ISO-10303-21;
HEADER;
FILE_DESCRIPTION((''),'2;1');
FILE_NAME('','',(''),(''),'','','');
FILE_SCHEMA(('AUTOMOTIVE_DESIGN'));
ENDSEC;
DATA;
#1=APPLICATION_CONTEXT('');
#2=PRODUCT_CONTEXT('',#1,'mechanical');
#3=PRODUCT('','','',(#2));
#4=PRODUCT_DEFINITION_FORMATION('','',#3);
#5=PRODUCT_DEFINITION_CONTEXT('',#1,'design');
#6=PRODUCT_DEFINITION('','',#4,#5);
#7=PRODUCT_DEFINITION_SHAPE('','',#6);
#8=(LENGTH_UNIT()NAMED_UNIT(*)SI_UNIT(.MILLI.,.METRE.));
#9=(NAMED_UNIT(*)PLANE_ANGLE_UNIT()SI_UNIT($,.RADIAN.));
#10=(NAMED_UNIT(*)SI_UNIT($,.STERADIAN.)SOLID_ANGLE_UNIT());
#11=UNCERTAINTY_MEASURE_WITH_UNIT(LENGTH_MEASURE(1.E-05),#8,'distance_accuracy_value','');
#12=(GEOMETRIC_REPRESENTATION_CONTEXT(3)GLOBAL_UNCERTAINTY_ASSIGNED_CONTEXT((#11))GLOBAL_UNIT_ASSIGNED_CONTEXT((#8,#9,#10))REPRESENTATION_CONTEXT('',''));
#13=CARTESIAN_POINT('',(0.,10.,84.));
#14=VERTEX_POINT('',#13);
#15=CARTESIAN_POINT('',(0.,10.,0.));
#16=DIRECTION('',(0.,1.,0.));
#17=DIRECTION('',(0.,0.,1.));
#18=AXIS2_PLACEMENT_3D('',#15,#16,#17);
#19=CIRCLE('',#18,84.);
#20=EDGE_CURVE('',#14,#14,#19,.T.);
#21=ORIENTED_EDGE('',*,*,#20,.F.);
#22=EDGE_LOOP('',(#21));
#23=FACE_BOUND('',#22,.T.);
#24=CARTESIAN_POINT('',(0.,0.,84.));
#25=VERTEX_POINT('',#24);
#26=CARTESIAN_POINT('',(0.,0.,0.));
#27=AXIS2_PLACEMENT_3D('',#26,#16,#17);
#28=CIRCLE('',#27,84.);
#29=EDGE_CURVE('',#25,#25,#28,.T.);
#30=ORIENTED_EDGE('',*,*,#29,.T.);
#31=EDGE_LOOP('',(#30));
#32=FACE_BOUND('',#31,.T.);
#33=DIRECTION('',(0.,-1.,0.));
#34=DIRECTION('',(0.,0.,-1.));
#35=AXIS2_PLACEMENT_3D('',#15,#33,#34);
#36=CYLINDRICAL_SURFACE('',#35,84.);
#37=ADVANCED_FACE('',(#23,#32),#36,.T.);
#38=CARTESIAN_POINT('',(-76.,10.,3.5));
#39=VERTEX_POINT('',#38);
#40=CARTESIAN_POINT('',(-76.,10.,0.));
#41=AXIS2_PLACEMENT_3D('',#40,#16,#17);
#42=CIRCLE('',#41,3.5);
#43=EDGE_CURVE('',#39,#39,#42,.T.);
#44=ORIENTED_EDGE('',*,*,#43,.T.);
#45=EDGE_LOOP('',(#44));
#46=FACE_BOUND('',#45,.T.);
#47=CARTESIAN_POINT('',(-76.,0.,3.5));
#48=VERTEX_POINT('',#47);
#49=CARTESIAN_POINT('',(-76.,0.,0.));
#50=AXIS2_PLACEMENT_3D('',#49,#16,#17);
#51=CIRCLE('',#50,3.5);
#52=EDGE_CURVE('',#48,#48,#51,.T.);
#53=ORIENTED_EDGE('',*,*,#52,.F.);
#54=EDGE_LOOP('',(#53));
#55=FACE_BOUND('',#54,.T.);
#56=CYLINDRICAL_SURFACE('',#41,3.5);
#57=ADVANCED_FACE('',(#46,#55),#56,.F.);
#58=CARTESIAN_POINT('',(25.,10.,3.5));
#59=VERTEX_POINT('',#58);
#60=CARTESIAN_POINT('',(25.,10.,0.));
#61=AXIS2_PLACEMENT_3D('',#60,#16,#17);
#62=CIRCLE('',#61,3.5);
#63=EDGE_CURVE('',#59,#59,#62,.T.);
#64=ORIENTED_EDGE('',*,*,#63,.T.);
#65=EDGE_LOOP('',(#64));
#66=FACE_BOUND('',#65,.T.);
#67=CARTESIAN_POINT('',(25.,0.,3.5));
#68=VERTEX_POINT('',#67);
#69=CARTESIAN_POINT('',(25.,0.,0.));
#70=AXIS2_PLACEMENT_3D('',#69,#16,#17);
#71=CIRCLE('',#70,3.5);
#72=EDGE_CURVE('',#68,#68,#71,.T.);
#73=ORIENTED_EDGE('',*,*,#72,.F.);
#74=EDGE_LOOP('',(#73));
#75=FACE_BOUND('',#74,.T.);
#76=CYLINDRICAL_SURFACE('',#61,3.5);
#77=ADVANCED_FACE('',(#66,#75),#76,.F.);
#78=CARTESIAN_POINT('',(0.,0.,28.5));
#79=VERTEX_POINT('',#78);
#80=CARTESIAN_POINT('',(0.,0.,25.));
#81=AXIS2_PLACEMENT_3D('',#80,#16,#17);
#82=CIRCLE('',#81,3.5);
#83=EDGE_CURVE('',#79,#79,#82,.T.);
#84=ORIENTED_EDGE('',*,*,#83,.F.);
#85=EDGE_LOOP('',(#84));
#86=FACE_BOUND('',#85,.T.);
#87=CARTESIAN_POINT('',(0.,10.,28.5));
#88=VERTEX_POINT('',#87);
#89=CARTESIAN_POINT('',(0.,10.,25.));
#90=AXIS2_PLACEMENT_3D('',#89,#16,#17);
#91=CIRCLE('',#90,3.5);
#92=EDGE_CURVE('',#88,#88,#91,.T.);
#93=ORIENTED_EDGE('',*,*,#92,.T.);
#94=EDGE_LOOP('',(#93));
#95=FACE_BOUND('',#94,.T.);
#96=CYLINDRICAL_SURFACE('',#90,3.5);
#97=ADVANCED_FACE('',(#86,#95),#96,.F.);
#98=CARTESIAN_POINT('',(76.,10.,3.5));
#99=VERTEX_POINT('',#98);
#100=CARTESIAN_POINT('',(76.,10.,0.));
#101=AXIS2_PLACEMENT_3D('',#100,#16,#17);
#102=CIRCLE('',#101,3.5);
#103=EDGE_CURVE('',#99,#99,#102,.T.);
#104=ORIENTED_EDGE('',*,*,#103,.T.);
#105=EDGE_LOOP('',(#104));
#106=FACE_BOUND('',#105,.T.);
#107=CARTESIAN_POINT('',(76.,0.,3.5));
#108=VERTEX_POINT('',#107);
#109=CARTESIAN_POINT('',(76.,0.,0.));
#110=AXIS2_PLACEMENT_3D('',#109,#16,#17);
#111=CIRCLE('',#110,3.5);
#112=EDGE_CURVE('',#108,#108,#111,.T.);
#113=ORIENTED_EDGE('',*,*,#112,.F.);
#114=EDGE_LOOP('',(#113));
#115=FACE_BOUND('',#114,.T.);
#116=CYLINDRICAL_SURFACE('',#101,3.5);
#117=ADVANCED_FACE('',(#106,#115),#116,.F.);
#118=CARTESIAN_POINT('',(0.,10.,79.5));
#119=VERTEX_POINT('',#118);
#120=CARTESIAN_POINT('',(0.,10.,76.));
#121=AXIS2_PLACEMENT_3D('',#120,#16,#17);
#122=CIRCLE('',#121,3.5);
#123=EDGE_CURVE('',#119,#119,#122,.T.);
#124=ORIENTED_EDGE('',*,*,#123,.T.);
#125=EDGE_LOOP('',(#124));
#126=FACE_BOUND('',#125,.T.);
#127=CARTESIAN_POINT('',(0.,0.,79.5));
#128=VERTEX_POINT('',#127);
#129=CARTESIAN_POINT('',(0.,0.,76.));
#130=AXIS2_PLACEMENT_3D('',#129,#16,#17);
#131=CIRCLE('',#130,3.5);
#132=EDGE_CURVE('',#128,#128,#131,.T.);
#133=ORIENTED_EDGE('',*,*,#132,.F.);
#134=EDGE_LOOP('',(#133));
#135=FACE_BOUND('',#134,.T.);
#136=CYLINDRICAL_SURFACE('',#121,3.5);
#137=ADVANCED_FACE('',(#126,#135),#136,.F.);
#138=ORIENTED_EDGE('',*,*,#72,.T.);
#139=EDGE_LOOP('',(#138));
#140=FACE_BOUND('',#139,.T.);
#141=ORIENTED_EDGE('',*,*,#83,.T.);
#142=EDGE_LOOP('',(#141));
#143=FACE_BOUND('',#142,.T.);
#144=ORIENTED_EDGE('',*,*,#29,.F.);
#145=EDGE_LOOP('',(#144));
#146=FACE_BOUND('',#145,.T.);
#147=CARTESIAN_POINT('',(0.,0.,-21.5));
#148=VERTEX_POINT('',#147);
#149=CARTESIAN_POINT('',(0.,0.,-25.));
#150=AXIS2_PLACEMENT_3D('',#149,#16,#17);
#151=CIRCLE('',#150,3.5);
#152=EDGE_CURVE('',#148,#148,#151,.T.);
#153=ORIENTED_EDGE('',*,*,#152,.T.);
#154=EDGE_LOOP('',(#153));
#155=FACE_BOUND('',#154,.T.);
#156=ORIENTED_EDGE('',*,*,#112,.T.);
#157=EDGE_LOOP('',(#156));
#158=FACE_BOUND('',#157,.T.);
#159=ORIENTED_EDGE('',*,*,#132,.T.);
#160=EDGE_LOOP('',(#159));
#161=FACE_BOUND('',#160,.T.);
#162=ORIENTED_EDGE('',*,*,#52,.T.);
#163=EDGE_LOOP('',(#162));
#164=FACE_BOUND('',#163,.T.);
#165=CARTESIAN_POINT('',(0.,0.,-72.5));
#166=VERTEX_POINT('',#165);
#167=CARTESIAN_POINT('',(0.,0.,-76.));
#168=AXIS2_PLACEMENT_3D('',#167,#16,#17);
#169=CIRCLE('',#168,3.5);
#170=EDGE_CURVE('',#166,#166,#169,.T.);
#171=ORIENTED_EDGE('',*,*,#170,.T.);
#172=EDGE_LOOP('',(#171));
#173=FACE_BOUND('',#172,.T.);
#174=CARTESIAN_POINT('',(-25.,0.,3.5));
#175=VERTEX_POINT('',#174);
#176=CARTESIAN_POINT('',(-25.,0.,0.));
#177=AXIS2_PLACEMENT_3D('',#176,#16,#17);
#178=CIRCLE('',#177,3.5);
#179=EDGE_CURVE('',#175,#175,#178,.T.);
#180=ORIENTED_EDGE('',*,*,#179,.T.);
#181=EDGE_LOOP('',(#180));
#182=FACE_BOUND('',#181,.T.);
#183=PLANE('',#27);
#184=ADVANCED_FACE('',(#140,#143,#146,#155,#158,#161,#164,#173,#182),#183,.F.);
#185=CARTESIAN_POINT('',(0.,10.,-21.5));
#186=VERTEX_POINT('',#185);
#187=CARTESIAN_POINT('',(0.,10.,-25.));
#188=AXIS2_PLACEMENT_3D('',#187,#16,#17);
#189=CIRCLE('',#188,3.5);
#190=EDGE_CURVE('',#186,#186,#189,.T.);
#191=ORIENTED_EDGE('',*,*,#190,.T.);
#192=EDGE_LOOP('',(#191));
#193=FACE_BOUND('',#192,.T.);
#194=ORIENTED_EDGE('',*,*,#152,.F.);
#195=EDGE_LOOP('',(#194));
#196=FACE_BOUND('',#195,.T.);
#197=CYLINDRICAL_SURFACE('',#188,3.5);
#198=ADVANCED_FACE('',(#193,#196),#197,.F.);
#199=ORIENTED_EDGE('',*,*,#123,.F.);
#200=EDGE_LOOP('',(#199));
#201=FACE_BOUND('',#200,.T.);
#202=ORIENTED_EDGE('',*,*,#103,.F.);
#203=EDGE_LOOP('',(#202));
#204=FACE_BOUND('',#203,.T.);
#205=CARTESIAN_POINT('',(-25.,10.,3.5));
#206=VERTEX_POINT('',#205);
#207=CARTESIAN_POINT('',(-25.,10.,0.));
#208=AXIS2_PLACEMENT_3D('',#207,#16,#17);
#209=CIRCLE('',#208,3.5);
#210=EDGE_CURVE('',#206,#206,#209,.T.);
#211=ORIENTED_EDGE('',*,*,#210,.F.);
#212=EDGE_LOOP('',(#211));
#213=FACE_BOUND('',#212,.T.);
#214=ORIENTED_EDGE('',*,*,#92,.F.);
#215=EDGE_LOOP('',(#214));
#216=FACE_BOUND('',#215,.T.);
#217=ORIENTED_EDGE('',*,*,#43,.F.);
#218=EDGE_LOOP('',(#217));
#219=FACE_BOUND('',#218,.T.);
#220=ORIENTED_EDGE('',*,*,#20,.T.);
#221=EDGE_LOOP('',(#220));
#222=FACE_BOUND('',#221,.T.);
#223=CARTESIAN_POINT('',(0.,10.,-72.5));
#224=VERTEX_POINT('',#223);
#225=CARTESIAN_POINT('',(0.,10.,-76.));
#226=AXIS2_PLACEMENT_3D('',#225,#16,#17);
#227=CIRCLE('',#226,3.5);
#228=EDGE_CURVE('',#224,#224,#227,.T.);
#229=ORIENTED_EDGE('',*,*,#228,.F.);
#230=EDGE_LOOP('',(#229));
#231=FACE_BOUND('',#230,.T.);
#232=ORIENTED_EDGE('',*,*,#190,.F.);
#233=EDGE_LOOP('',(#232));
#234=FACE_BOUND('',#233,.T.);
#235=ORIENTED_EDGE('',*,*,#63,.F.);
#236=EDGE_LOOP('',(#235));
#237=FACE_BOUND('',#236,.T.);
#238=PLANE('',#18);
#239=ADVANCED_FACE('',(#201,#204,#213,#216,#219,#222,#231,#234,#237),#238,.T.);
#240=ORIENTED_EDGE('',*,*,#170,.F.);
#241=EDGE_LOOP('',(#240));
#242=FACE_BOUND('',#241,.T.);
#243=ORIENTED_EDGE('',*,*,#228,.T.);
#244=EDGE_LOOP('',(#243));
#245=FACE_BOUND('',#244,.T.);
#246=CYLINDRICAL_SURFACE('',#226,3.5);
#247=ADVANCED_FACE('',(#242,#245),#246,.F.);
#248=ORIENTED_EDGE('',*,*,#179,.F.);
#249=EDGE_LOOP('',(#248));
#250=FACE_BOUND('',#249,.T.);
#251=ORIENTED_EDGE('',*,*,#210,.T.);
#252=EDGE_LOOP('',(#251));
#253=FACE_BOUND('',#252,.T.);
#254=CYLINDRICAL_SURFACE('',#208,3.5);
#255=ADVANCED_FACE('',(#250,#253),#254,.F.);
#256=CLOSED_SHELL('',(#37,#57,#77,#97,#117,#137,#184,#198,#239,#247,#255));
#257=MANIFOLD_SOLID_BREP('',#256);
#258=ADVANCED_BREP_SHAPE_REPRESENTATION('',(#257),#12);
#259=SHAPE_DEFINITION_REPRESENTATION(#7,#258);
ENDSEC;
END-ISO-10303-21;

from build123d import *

# Parameters (mm, degrees)
SKETCH1_R            = 84
BOSS_EXTRUDE1_DEPTH  = 10
M6_CLEARANCE_HOLE1_D = 7


with BuildPart() as part:
    # Sketch1 → Boss-Extrude1 (new body)
    with BuildSketch(Plane(origin=(0, 0, 0), x_dir=(1, 0, 0), z_dir=(0, 1, 0))):
        with Locations(Location((0, 0, 0), (0, 0, 270))):
            Circle(SKETCH1_R)
    extrude(amount=BOSS_EXTRUDE1_DEPTH)

    # M6 Clearance Hole1 (through all)
    with Locations(Plane(origin=(0, 10, -76), x_dir=(0, 0, 1), z_dir=(0, 1, 0))):
        with Locations((0, 0), (76, -76), (76, 76), (76, 25), (51, 0), (76, -25), (101, 0), (152, 0)):
            Hole(M6_CLEARANCE_HOLE1_D / 2)


solid = part.part
